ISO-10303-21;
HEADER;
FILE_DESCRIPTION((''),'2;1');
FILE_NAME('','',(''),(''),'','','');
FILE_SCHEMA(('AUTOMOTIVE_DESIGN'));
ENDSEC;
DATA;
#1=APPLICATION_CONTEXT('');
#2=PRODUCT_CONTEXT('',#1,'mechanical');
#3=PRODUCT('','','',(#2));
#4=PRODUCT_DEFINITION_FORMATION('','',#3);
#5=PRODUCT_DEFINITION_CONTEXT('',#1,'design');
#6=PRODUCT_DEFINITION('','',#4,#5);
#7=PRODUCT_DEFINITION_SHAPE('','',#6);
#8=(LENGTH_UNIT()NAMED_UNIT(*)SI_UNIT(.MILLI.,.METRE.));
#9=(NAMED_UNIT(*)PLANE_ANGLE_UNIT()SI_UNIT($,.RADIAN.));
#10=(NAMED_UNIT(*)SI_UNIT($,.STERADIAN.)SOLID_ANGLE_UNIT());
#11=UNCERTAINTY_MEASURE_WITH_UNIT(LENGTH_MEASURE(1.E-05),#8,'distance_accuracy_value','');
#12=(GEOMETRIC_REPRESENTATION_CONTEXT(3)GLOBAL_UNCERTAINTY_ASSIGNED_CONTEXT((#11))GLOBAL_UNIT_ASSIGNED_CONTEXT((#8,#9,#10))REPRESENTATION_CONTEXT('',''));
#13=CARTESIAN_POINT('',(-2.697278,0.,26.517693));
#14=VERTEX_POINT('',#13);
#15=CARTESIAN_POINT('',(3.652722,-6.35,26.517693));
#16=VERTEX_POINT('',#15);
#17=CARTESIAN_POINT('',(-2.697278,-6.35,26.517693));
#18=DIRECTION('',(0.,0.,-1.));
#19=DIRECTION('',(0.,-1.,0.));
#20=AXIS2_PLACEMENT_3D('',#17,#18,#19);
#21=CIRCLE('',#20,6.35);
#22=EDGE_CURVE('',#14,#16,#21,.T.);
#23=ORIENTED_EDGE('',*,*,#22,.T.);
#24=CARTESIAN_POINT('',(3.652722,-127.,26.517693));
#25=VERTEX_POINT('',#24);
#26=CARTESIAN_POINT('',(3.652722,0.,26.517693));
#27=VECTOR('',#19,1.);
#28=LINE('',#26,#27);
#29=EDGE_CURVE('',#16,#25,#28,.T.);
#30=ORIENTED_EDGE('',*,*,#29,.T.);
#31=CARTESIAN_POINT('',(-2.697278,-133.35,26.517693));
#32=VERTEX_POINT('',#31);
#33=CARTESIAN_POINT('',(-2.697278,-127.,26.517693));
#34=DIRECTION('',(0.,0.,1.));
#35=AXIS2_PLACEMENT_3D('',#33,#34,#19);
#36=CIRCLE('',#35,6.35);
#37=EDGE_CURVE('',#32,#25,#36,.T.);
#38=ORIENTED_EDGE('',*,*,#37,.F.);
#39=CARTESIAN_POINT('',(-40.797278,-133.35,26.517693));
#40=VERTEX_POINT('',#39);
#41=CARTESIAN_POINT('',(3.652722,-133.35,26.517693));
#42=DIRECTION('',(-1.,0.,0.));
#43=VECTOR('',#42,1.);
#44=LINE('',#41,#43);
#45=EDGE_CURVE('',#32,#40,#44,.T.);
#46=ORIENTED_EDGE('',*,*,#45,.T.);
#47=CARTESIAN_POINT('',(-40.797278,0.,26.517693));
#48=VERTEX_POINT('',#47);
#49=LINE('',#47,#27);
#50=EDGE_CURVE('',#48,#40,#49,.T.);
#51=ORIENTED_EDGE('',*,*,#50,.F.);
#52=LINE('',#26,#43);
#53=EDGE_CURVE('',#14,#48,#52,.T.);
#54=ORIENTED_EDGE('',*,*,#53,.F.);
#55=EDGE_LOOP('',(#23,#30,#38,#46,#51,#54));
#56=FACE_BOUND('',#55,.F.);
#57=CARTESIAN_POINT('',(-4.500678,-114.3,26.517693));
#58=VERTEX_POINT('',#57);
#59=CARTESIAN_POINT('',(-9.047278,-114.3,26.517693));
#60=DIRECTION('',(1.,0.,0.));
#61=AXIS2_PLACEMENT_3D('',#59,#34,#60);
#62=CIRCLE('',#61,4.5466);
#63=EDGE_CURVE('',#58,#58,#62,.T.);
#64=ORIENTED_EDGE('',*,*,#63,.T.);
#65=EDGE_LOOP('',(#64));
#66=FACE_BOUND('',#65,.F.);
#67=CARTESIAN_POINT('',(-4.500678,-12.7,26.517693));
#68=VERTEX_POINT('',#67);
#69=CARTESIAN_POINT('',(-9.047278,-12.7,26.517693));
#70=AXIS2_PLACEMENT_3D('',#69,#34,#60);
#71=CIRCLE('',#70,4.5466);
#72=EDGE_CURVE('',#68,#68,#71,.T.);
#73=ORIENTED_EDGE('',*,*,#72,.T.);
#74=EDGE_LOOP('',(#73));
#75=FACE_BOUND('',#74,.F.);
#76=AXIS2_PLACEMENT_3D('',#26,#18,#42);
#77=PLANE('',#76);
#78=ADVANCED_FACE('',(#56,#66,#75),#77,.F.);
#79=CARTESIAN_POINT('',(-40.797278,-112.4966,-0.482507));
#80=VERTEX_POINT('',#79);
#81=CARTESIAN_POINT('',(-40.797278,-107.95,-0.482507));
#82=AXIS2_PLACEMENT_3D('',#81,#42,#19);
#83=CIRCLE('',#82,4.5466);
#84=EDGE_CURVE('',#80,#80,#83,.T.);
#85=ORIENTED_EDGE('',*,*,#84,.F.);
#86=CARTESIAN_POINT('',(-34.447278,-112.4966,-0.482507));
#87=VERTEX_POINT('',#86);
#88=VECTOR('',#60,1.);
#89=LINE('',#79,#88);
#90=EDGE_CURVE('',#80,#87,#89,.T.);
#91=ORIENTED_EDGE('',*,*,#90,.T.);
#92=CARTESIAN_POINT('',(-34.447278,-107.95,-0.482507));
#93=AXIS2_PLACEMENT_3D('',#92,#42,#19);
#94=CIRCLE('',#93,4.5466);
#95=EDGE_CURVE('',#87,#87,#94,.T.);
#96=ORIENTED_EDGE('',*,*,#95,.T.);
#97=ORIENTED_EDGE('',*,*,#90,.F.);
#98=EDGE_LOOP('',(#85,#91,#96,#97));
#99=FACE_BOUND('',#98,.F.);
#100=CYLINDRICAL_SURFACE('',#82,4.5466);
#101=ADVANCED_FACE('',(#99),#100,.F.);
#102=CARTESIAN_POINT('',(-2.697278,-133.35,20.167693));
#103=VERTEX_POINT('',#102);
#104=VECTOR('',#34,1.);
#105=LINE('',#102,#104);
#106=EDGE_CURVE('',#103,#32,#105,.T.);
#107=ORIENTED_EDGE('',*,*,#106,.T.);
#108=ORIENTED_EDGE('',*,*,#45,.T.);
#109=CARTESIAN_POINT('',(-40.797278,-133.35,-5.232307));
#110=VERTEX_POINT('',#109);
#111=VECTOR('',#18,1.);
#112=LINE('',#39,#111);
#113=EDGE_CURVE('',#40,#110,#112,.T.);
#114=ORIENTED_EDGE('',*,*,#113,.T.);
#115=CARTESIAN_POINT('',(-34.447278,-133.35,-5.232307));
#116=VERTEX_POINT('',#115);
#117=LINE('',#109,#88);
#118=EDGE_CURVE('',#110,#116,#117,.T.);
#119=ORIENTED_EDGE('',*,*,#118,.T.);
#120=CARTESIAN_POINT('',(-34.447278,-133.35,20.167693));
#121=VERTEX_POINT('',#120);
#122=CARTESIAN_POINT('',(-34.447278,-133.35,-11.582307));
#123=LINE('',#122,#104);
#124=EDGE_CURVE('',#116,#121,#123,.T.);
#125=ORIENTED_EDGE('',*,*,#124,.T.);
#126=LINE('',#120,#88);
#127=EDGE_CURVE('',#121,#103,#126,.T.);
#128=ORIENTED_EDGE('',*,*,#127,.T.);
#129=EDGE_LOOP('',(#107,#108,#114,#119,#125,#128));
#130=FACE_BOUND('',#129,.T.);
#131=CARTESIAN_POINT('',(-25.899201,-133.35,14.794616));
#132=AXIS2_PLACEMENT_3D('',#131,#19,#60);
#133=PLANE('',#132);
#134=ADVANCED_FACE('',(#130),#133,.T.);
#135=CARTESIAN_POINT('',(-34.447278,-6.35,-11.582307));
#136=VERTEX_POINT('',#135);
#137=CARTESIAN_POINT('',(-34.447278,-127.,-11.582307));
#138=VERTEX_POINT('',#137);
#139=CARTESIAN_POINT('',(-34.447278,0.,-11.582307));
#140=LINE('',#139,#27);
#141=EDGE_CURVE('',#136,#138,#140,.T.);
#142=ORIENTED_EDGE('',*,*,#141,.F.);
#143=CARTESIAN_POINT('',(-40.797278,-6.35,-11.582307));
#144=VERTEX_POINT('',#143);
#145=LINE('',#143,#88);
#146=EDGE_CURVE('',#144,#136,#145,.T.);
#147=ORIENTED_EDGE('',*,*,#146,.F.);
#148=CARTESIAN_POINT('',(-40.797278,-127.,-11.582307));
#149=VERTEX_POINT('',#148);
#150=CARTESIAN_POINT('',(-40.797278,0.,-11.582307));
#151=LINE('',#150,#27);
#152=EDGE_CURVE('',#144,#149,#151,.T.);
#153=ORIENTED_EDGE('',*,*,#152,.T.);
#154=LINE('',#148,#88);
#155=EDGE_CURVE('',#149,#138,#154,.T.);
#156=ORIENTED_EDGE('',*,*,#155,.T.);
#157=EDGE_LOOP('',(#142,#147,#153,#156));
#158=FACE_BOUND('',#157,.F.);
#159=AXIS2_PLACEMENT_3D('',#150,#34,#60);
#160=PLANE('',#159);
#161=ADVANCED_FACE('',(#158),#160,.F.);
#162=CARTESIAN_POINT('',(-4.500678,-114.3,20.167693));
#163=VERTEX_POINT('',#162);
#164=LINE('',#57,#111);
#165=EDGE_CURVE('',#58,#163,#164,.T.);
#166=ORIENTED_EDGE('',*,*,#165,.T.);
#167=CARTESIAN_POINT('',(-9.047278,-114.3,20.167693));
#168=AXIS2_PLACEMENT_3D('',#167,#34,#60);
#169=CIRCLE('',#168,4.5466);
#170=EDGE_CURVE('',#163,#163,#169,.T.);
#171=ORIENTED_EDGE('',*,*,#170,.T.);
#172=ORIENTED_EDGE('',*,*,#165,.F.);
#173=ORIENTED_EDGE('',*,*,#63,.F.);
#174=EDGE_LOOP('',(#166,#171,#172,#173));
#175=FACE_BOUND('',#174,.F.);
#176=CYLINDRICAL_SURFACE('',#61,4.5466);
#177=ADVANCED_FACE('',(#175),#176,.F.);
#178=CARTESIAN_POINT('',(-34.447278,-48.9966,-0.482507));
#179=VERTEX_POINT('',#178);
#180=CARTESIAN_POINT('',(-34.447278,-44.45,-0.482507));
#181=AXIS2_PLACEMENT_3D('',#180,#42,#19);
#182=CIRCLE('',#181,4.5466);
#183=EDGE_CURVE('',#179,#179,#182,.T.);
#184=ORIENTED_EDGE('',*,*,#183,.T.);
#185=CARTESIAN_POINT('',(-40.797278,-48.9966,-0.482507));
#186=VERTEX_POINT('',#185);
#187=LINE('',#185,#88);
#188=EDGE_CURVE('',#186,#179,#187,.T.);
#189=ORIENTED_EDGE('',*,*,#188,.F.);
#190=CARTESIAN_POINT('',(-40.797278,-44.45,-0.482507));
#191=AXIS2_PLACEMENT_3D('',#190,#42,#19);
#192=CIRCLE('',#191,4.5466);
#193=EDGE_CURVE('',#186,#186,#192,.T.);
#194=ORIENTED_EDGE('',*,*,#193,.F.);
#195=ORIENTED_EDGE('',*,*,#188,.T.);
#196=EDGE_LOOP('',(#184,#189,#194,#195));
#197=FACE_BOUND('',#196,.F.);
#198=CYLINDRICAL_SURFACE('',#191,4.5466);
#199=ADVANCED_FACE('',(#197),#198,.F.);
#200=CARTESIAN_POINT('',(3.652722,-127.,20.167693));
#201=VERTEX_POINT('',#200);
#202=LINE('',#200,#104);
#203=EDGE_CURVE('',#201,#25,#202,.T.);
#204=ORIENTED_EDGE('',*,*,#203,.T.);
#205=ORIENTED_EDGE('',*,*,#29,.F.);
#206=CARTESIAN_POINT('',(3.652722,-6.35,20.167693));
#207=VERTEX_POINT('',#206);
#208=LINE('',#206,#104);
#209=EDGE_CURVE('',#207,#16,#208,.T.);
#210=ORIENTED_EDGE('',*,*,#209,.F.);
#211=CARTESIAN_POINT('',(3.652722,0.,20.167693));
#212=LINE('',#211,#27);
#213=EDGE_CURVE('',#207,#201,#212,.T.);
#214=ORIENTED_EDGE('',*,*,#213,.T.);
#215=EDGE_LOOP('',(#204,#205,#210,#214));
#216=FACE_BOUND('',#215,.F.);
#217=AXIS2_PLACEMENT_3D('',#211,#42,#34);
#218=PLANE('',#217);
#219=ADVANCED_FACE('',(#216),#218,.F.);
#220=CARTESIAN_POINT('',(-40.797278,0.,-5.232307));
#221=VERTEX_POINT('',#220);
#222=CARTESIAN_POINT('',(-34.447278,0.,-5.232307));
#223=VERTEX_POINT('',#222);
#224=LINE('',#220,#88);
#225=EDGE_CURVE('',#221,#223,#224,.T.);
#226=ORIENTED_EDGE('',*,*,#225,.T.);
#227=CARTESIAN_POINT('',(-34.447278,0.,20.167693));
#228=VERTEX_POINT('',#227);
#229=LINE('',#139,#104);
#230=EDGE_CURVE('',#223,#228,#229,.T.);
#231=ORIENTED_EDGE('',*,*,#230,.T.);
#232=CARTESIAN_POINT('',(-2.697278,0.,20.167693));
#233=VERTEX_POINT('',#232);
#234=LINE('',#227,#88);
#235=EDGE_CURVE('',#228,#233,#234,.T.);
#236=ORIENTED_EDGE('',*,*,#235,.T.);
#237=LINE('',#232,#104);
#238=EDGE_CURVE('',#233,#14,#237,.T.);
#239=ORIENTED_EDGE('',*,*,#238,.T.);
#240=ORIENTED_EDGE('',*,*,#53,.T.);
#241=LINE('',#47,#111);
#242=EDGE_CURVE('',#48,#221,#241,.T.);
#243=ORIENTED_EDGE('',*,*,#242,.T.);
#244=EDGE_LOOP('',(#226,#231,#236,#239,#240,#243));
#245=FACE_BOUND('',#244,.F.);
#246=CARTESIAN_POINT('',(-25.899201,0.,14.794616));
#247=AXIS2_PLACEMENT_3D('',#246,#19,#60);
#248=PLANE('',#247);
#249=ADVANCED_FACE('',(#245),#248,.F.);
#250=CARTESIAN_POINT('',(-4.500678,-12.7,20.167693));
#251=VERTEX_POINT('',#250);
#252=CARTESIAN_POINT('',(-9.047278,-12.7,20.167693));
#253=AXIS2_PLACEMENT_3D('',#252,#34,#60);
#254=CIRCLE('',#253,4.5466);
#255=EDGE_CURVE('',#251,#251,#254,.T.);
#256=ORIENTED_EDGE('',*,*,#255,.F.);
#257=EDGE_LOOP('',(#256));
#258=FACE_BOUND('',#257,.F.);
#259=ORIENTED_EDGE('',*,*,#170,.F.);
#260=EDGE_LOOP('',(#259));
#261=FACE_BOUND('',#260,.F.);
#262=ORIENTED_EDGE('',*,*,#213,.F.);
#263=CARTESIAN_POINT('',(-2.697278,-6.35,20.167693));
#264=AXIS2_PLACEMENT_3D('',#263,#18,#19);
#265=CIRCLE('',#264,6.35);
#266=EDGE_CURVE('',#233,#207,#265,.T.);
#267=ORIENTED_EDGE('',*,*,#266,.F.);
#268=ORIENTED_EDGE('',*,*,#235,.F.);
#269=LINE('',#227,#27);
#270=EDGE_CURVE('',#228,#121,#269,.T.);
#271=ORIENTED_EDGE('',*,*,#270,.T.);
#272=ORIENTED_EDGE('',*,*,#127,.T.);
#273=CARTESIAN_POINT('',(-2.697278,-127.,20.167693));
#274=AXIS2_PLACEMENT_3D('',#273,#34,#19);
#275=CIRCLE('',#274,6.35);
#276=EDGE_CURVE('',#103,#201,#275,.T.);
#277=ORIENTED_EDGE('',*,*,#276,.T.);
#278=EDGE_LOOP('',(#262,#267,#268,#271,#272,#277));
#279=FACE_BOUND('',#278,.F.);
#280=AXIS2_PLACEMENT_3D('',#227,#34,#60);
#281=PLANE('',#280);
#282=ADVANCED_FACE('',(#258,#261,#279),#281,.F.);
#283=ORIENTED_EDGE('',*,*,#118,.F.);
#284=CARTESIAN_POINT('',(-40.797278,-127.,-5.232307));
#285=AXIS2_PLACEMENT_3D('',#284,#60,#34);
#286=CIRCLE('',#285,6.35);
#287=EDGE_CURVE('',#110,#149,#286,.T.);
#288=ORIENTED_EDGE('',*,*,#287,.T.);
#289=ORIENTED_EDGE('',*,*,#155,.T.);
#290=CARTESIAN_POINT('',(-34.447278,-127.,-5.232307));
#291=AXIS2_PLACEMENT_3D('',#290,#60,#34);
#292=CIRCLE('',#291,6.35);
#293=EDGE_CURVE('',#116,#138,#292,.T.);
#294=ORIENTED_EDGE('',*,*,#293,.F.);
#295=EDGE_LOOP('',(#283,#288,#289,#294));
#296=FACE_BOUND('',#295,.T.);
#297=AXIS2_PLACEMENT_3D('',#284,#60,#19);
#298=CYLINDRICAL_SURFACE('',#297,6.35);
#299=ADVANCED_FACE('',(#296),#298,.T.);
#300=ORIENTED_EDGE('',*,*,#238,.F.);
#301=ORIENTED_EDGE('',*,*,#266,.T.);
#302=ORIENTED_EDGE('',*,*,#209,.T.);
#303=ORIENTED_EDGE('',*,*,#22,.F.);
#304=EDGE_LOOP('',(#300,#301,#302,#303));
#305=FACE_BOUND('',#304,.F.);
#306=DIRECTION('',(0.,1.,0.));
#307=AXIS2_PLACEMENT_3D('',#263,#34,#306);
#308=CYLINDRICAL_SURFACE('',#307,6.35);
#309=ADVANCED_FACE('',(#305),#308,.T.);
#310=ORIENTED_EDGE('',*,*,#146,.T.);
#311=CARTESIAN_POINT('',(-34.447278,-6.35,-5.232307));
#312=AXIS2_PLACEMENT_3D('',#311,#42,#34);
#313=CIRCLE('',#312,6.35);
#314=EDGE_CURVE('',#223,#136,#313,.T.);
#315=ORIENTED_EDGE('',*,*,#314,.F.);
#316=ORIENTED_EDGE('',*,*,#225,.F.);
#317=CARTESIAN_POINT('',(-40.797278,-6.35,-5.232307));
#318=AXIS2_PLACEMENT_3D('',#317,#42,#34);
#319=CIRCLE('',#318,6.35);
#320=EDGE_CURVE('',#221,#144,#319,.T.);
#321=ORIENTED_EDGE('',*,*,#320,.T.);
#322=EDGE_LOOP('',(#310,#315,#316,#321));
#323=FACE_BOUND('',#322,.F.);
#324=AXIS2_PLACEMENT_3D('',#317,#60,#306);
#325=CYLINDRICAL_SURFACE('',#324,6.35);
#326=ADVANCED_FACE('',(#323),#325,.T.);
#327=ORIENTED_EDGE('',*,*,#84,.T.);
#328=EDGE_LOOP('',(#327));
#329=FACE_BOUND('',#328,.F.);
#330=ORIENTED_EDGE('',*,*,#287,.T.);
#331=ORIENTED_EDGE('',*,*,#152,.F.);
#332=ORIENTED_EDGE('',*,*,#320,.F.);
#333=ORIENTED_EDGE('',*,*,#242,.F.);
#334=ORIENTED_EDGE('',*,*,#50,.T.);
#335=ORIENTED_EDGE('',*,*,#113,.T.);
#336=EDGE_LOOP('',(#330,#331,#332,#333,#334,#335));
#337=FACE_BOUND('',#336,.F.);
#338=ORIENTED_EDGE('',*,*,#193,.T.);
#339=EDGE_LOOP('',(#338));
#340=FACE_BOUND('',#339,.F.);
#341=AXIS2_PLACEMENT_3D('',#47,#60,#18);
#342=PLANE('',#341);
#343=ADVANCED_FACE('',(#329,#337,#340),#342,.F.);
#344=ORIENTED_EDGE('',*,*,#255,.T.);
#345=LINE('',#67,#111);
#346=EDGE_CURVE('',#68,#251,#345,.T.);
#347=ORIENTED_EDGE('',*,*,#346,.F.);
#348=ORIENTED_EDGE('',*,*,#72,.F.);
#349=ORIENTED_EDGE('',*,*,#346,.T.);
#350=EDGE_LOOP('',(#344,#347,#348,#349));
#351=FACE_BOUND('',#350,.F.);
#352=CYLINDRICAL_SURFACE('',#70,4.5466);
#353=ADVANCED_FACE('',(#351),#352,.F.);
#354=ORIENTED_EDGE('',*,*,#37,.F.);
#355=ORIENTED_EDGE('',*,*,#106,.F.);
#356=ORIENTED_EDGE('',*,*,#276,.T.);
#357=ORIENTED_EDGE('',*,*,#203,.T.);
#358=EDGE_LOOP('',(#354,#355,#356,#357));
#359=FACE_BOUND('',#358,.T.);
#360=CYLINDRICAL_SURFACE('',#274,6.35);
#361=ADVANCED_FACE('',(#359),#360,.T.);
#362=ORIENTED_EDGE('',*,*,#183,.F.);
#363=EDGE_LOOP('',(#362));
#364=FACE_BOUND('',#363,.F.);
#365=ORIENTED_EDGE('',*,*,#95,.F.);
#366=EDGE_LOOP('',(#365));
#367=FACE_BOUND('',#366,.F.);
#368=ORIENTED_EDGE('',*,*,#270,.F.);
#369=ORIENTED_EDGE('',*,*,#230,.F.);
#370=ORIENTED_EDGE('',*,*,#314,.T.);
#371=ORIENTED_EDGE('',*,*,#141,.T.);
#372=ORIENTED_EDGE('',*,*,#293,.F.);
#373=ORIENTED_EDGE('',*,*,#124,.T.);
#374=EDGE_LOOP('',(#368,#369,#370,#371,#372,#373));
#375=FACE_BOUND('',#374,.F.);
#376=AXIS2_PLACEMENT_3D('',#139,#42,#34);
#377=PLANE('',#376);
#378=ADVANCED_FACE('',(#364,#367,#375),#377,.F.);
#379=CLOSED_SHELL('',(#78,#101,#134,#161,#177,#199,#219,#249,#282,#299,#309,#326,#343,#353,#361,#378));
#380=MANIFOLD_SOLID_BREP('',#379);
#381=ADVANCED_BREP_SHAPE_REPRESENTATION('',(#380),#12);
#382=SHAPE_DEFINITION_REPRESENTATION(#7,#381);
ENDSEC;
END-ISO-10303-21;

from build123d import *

# Parameters (mm, degrees)
F1_DEPTH = 133.35
F2_R     = 4.5466
F3_DEPTH = 25.4
F4_R     = 4.5466
F5_DEPTH = 25.4
F6_R     = 6.35


with BuildPart() as f1:
    # F0 (on Front) → F1 (new body)
    with BuildSketch(Plane.XZ):
        Polygon((-40.797278, 26.517693), (-40.797278, -11.582307), (-34.447278, -11.582307), (-34.447278, 20.167693), (3.652722, 20.167693), (3.652722, 26.517693), align=None)
    extrude(amount=F1_DEPTH)

    # F2 (on face) → F3 (cut)
    with BuildSketch(Plane(origin=(-40.797278, 0, 0), x_dir=(0, -1, 0), z_dir=(-1, 0, 0))):
        with Locations((107.95, -0.482507)):
            Circle(F2_R)
        with Locations((44.45, -0.482507)):
            Circle(F2_R)
    extrude(amount=-F3_DEPTH, mode=Mode.SUBTRACT)

    # F4 (on face) → F5 (cut)
    with BuildSketch(Plane.XY.offset(26.517693)):
        with Locations((-9.047278, -12.7)):
            Circle(F4_R)
        with Locations((-9.047278, -114.3)):
            Circle(F4_R)
    extrude(amount=-F5_DEPTH, mode=Mode.SUBTRACT)

    # F6
    f6_edges = [f1.edges().sort_by_distance(p)[0] for p in [
        (3.652722, 0, 23.342693),
        (-37.622278, 0, -11.582307),
        (3.652722, -133.35, 23.342693),
        (-37.622278, -133.35, -11.582307),
    ]]
    fillet(f6_edges, radius=F6_R)


solid = f1.part
